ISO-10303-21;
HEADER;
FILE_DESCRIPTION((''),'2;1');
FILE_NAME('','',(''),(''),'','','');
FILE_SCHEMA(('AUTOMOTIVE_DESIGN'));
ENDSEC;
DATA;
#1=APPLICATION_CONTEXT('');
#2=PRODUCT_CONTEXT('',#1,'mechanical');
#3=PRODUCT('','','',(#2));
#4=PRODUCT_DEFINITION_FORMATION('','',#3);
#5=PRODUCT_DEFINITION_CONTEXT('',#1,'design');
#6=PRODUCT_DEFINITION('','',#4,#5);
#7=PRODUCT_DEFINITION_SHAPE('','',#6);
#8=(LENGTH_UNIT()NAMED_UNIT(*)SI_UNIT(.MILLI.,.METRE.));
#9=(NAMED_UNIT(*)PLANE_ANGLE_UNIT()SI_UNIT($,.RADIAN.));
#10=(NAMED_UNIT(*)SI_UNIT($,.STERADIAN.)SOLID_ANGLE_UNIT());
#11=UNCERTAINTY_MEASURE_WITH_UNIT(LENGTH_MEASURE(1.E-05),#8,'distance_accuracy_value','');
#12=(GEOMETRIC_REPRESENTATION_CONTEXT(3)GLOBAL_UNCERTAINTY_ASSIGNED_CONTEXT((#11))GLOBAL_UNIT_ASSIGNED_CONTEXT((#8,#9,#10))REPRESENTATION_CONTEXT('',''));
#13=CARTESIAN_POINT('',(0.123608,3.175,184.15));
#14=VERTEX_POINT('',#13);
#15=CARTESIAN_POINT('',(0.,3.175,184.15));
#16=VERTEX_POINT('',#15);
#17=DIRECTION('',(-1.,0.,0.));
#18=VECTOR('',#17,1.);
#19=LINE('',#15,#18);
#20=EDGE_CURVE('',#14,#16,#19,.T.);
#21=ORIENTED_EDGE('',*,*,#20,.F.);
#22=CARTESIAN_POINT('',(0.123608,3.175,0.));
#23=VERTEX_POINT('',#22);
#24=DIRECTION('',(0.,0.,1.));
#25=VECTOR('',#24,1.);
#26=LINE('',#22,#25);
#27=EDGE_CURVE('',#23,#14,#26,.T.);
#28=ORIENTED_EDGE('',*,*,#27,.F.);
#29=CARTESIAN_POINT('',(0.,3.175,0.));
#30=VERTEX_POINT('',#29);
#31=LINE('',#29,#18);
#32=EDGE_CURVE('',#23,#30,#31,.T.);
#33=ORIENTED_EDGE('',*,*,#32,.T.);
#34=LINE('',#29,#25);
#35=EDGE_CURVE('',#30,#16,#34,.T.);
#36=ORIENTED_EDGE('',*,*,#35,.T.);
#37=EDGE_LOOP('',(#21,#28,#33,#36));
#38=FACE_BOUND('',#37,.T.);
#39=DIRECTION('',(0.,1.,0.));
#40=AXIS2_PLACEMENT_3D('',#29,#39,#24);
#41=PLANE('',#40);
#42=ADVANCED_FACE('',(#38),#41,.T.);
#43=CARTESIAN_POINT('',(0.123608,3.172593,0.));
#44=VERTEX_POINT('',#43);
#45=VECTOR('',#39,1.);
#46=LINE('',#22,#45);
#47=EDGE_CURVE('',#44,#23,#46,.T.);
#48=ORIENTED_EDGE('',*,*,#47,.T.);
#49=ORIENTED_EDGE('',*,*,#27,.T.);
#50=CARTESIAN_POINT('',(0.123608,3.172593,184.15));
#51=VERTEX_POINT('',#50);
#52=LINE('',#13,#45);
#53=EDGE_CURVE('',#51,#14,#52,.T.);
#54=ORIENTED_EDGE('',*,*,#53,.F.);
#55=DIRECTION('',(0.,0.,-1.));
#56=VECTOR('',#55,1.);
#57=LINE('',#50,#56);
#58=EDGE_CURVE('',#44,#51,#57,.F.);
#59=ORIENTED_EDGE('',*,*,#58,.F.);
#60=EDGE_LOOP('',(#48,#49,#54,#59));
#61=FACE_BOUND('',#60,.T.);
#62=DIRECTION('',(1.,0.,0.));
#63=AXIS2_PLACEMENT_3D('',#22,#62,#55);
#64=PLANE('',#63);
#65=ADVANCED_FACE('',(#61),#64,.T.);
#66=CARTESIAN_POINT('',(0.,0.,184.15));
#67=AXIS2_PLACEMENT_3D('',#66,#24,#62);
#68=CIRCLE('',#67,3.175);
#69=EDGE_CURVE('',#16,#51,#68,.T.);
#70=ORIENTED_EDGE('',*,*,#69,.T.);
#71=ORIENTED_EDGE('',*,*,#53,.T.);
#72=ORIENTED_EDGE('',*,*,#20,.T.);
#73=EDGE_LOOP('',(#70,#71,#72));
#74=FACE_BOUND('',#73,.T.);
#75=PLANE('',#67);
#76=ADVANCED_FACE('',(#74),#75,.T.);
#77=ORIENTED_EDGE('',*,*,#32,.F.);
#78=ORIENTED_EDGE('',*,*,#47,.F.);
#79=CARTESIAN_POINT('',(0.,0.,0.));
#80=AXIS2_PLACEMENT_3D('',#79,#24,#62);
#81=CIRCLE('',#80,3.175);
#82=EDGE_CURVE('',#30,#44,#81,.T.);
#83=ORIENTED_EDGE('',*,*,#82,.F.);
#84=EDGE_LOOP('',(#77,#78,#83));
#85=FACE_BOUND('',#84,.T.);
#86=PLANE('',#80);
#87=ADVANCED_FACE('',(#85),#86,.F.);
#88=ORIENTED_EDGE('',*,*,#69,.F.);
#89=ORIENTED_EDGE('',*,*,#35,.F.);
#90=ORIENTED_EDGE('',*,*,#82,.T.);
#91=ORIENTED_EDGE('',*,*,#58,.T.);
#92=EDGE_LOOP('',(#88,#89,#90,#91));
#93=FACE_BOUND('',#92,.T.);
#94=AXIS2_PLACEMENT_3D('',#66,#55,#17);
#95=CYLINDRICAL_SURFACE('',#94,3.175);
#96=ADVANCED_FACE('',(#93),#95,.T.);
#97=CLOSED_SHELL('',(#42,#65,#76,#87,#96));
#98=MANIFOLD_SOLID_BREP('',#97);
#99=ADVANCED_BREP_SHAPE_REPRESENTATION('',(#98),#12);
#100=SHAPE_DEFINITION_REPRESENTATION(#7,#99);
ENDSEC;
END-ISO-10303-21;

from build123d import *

# Parameters (mm, degrees)
SKETCH2_R           = 3.175
BOSS_EXTRUDE1_DEPTH = 184.15
SKETCH4_W           = 0.123608439
SKETCH4_H           = 6.347592939
BOSS_EXTRUDE2_DEPTH = 184.15


with BuildPart() as part:
    # Sketch2 → Boss-Extrude1 (new body)
    with BuildSketch(Plane.XY):
        Circle(SKETCH2_R)
    extrude(amount=BOSS_EXTRUDE1_DEPTH)

    # Sketch4 → Boss-Extrude2 (add)
    with BuildSketch(Plane.XY.offset(184.15)):
        with Locations((0.06180422, 0.00120353)):
            Rectangle(SKETCH4_W, SKETCH4_H)
    extrude(amount=-BOSS_EXTRUDE2_DEPTH)


solid = part.part
